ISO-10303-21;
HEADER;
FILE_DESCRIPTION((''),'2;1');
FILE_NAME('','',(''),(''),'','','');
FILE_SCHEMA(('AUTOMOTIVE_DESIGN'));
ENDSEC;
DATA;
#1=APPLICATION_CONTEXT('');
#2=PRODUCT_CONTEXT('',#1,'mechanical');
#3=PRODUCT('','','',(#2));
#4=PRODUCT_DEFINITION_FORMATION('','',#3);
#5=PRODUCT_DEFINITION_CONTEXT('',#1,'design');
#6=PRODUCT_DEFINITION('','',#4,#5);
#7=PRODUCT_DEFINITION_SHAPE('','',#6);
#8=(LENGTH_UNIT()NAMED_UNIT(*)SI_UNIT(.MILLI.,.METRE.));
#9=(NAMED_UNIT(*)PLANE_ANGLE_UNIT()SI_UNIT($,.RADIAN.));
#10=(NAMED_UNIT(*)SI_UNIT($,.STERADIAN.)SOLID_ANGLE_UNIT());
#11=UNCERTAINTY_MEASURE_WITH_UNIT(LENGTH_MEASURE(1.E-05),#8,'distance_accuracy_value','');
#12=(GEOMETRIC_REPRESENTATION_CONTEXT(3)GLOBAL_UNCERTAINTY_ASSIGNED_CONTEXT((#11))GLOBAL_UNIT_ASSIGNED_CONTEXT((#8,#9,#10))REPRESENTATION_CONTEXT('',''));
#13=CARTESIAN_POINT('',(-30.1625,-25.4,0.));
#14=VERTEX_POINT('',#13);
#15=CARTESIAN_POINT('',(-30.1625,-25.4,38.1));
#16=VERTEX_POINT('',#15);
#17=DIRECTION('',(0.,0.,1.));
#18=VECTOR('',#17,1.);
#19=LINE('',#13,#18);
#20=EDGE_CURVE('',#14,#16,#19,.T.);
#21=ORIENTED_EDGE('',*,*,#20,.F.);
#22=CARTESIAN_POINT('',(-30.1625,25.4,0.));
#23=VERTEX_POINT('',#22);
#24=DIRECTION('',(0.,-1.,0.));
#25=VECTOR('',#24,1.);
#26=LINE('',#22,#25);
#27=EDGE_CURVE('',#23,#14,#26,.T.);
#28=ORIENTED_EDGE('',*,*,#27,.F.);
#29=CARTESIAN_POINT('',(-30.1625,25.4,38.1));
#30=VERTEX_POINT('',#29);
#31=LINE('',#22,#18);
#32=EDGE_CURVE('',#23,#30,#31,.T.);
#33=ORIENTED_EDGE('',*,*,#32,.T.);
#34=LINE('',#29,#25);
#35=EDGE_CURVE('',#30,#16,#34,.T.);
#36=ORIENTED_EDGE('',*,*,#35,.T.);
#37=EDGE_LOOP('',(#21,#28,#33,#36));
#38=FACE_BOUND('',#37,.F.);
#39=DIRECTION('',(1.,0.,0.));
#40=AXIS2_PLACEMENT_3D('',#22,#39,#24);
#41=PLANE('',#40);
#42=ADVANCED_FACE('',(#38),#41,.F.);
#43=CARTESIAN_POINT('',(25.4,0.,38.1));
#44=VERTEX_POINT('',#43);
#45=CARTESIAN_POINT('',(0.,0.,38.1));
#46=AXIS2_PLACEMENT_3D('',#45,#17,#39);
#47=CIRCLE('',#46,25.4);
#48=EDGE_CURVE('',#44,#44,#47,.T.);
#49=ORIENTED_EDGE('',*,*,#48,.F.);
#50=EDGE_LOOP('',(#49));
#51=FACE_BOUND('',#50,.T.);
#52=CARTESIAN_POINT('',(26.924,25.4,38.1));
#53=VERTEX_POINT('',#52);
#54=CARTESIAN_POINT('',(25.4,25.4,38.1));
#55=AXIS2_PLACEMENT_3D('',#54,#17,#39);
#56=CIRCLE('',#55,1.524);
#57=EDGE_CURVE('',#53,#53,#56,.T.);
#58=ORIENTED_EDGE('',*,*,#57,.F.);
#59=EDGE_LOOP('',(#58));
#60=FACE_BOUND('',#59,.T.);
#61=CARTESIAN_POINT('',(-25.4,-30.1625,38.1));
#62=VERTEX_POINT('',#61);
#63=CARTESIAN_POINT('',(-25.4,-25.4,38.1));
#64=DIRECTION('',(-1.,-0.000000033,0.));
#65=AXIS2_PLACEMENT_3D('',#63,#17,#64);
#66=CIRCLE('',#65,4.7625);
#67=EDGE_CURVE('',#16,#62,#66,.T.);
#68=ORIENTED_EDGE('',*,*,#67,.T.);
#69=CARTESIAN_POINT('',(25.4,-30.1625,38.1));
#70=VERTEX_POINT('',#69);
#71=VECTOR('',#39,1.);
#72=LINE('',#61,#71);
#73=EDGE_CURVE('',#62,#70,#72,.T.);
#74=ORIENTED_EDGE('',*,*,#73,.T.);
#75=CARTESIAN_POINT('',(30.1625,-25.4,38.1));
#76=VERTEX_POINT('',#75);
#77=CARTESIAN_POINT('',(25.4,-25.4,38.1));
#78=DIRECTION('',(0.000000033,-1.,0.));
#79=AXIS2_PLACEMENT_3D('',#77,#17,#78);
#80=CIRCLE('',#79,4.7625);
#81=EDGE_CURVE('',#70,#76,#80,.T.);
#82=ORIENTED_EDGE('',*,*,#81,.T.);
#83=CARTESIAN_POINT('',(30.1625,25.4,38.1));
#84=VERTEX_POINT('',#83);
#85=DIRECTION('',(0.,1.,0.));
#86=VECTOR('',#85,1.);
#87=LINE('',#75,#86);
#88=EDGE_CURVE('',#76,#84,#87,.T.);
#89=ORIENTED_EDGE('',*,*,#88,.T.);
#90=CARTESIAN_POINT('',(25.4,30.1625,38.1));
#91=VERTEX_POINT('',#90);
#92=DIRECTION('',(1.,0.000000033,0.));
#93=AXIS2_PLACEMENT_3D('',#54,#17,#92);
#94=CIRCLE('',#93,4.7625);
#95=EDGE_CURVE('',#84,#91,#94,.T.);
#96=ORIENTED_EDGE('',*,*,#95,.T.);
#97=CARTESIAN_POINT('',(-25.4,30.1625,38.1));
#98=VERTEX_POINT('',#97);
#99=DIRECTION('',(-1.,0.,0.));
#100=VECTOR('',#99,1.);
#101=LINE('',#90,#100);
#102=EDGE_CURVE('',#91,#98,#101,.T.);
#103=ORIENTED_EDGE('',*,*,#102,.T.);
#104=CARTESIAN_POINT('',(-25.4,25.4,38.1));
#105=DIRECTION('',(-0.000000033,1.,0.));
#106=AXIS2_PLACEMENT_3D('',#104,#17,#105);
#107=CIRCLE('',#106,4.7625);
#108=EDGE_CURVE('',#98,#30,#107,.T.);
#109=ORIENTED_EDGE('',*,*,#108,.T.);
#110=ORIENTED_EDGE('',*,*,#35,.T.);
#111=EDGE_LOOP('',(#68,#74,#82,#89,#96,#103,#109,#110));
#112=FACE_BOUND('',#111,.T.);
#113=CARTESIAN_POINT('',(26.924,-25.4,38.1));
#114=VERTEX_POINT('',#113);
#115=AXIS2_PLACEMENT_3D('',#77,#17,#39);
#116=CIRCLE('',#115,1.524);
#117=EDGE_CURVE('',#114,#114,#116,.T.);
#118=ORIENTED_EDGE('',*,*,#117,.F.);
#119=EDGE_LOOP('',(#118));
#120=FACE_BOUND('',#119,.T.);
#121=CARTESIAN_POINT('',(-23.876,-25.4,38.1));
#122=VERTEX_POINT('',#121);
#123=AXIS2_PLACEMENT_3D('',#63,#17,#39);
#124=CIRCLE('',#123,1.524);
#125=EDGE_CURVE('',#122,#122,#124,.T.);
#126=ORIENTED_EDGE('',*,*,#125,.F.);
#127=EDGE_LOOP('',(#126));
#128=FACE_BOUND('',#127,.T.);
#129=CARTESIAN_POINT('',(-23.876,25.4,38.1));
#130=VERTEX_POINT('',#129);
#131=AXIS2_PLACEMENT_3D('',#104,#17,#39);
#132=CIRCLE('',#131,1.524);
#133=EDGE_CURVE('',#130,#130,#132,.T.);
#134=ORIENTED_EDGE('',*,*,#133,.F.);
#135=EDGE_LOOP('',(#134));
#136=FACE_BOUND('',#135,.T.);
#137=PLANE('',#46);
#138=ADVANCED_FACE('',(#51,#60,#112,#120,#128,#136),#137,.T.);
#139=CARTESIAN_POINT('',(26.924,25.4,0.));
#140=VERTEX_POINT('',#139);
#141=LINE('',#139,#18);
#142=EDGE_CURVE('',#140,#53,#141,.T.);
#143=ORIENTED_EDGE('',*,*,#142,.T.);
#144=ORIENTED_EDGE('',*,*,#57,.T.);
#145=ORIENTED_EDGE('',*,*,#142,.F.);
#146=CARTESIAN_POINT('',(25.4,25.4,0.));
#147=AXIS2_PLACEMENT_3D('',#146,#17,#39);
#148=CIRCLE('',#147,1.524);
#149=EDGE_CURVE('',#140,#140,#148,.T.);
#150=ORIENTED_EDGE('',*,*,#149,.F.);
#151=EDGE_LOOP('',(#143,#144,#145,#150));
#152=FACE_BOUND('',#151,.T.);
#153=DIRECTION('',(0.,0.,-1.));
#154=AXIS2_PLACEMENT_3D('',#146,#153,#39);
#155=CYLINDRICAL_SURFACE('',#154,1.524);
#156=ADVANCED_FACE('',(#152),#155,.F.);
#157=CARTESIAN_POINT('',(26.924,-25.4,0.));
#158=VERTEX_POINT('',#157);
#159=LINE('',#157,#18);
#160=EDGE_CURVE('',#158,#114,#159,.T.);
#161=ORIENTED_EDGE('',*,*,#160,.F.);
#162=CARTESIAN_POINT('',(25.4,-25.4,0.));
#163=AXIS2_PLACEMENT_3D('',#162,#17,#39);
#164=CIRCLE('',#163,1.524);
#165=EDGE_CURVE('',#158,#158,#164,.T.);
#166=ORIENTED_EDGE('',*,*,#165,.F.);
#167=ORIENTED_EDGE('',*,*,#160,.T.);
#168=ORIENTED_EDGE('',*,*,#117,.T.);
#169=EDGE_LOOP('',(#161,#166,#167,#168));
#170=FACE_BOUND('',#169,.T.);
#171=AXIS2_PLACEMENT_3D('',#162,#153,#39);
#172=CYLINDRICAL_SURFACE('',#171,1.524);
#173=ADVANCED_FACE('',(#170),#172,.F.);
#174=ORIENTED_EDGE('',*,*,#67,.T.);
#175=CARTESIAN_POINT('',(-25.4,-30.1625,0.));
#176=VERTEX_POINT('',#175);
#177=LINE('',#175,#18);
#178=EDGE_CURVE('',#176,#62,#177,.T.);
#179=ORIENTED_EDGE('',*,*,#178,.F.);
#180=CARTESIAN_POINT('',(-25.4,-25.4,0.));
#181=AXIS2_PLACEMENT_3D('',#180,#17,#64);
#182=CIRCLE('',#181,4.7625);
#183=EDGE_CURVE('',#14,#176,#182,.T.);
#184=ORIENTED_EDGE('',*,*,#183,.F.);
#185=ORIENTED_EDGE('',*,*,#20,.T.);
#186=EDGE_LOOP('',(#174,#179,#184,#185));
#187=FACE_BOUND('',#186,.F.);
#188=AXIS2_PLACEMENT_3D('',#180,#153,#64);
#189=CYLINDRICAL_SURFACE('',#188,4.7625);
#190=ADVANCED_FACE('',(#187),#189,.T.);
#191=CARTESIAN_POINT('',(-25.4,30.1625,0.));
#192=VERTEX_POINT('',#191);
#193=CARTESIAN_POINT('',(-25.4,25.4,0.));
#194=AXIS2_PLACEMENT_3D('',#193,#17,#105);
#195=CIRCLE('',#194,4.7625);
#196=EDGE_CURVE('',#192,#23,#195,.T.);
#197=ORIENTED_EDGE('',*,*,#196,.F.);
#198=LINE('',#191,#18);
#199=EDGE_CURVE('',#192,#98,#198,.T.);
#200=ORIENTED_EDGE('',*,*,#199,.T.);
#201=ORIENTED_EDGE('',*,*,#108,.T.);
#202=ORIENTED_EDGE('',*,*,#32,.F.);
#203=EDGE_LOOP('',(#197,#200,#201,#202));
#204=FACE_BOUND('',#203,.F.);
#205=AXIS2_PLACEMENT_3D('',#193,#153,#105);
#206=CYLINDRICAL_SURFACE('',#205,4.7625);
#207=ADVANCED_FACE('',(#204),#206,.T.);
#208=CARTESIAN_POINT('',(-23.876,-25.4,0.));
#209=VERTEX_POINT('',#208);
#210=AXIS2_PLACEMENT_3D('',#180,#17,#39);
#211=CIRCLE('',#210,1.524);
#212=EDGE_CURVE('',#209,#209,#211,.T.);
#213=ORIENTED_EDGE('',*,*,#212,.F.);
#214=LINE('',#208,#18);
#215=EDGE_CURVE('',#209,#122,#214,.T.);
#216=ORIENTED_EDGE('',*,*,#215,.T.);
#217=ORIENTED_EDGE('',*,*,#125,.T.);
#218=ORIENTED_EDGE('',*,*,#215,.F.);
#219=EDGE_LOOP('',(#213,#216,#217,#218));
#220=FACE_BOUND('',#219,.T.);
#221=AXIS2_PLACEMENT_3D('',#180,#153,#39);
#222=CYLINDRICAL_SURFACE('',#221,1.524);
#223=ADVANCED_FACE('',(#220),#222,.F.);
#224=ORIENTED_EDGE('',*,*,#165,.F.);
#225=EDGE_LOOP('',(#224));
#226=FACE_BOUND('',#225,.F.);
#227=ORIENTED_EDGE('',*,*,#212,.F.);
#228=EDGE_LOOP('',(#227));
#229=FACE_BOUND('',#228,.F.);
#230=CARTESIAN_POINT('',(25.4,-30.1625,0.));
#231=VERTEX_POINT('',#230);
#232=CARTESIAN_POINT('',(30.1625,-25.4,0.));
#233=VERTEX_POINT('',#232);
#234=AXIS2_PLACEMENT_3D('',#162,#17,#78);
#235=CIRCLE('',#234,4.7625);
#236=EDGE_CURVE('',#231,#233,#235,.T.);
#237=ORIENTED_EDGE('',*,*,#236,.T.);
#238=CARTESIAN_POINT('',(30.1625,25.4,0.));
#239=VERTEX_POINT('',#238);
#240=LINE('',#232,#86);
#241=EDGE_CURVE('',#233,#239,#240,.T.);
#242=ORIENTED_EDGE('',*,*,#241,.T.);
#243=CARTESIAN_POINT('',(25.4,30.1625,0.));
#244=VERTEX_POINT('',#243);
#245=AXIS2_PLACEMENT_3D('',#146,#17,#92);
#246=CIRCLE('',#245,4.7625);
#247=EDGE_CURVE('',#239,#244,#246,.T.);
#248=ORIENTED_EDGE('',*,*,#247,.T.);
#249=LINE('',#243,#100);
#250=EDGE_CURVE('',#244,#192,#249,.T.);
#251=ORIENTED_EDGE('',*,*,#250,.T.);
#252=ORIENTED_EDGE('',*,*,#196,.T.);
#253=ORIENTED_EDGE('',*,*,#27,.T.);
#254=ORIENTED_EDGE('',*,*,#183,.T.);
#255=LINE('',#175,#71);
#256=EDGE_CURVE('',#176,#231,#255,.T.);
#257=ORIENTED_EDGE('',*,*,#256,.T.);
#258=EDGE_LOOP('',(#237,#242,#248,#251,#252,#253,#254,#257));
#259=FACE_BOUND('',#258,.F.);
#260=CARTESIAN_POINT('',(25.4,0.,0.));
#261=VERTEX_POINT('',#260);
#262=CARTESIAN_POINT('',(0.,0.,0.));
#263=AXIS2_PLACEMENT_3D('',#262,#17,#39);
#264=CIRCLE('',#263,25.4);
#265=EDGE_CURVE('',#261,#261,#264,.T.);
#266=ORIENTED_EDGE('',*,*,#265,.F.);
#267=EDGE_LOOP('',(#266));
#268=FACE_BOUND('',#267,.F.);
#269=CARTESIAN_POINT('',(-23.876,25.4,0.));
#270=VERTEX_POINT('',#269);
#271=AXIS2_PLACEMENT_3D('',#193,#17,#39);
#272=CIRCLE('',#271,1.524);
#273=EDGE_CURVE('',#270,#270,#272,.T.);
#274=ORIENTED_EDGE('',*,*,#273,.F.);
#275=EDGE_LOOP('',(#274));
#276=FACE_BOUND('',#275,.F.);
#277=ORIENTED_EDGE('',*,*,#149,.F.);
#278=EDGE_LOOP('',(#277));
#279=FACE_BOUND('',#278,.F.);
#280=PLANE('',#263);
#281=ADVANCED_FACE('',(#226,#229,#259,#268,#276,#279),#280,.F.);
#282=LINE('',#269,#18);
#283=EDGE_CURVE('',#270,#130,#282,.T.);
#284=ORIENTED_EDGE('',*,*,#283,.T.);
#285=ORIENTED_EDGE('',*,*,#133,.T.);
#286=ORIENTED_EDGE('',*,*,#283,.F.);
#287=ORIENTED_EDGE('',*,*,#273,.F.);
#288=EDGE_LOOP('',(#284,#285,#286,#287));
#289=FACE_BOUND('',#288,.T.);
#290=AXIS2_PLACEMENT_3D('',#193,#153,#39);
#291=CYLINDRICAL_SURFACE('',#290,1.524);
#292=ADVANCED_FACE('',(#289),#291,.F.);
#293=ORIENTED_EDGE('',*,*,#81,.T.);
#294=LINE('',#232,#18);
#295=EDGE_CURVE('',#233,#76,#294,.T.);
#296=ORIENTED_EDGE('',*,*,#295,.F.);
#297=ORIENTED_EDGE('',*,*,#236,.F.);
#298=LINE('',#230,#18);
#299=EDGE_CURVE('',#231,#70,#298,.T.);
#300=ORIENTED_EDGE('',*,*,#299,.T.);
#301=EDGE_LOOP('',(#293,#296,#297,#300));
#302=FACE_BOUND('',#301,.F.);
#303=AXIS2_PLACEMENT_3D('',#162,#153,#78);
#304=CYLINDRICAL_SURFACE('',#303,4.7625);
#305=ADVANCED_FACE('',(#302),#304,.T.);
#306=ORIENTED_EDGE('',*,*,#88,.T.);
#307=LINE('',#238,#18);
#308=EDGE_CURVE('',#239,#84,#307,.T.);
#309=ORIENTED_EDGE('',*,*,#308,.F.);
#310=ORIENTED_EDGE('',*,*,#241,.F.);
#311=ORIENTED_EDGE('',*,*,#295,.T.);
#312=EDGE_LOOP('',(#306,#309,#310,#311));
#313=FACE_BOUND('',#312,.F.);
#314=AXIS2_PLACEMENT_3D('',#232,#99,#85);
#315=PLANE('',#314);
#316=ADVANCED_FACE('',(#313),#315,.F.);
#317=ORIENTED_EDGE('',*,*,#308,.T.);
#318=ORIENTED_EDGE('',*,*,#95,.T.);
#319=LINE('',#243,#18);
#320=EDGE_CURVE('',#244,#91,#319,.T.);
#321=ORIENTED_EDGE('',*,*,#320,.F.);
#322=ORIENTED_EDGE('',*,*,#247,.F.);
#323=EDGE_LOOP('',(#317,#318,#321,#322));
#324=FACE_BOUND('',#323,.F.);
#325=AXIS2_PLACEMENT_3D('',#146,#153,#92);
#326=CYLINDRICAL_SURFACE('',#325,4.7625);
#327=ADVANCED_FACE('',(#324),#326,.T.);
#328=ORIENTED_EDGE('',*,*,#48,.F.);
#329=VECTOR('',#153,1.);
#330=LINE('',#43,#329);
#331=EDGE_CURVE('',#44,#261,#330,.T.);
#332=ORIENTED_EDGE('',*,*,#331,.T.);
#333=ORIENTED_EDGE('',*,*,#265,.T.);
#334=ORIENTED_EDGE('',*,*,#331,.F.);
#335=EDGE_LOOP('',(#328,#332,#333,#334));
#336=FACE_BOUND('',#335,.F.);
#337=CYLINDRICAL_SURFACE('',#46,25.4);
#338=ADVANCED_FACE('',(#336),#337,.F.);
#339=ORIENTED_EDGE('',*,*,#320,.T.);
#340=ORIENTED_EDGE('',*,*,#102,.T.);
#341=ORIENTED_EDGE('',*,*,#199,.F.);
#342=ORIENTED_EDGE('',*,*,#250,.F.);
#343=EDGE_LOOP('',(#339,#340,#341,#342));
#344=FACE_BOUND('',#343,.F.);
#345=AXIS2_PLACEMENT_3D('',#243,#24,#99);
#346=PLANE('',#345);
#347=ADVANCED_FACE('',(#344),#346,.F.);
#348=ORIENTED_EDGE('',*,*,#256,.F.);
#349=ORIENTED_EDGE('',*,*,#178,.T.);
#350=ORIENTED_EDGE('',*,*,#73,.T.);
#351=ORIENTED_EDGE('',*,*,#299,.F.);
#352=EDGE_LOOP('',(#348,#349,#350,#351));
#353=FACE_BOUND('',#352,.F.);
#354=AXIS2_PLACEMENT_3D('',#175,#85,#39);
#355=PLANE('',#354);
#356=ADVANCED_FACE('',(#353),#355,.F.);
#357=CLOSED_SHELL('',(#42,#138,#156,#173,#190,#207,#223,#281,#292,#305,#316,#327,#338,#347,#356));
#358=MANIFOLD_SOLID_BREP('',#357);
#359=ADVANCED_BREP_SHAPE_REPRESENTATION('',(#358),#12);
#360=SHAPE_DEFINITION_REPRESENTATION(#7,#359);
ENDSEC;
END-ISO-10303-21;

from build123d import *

# Parameters (mm, degrees)
F0_R     = 1.524
F1_DEPTH = 38.1
F2_R     = 25.4
F3_DEPTH = 38.101


with BuildPart() as f1:
    # F0 (on Top) → F1 (new body)
    with BuildSketch(Plane.XY):
        with BuildLine():
            ThreePointArc((30.1625, 25.4), (28.767596, 28.767596), (25.4, 30.1625))
            Line((25.4, 30.1625), (-25.4, 30.1625))
            ThreePointArc((-25.4, 30.1625), (-28.767596, 28.767596), (-30.1625, 25.4))
            Line((-30.1625, 25.4), (-30.1625, -25.4))
            ThreePointArc((-30.1625, -25.4), (-28.767596, -28.767596), (-25.4, -30.1625))
            Line((-25.4, -30.1625), (25.4, -30.1625))
            ThreePointArc((25.4, -30.1625), (28.767596, -28.767596), (30.1625, -25.4))
            Line((30.1625, -25.4), (30.1625, 25.4))
        make_face()
        with Locations((-25.4, -25.4)):
            Circle(F0_R, mode=Mode.SUBTRACT)
        with Locations((25.4, -25.4)):
            Circle(F0_R, mode=Mode.SUBTRACT)
        with Locations((-25.4, 25.4)):
            Circle(F0_R, mode=Mode.SUBTRACT)
        with Locations((25.4, 25.4)):
            Circle(F0_R, mode=Mode.SUBTRACT)
    extrude(amount=F1_DEPTH)

    # F2 (on face) → F3 (cut, through all)
    with BuildSketch(Plane.XY.offset(38.1)):
        Circle(F2_R)
    extrude(amount=-F3_DEPTH, mode=Mode.SUBTRACT)


solid = f1.part
